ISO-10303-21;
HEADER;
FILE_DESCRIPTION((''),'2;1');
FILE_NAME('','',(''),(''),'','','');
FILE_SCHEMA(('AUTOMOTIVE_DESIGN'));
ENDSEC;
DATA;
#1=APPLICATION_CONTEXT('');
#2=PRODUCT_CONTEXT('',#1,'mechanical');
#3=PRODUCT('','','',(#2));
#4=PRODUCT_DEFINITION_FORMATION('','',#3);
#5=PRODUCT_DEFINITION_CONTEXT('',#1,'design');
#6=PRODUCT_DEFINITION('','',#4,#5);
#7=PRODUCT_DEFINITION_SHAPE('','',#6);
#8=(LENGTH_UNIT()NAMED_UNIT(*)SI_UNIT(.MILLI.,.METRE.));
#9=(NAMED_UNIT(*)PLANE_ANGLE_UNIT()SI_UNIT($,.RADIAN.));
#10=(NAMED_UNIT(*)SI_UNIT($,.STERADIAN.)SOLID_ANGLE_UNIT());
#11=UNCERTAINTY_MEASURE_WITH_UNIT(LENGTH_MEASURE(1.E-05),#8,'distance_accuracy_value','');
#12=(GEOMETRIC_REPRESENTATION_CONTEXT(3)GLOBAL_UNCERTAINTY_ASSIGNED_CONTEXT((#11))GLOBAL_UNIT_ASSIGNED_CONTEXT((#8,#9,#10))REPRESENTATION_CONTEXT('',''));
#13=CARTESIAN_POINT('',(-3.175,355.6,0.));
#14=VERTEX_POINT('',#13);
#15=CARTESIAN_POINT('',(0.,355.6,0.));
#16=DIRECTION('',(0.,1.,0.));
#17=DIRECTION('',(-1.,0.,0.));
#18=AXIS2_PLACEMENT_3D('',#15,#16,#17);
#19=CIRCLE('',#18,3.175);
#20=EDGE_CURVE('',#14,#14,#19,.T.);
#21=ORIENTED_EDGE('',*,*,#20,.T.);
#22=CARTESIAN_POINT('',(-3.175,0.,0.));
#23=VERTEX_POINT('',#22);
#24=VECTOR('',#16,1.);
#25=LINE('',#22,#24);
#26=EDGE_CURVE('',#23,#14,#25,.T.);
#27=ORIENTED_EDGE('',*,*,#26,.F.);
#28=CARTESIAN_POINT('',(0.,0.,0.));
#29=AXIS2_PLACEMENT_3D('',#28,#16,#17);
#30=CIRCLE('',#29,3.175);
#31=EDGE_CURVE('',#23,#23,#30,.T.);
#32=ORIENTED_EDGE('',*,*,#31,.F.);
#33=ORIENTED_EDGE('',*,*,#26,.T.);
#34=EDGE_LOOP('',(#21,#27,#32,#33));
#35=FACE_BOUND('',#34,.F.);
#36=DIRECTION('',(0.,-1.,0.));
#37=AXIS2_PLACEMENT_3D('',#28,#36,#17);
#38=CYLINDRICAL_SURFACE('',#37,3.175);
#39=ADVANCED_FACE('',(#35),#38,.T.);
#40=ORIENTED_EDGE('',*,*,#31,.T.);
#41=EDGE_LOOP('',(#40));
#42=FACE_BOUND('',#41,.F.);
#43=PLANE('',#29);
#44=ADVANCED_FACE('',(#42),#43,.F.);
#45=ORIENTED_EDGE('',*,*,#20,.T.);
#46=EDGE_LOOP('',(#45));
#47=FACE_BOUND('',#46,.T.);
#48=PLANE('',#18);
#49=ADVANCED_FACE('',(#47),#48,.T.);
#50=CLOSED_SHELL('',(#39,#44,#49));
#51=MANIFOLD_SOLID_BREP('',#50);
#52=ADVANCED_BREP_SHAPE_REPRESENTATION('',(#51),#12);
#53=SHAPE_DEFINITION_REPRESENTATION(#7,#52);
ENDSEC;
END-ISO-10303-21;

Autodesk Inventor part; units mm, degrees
ref_plane "YZ Plane" through (0, 0, 0) normal (1, 0, 0) x (0, 1, 0)
ref_plane "XZ Plane" through (0, 0, 0) normal (0, 1, 0) x (-1, 0, 0)
ref_plane "XY Plane" through (0, 0, 0) normal (0, 0, 1) x (1, 0, 0)
sketch "Sketch1" plane through (0, 0, 0) normal (0, 1, 0) x (-1, 0, 0)
  circle A0 centre (0, 0) radius 3.175
  dimension "d0" = 6.35
extrude "Extrusion1" add sketch "Sketch1" along normal blind 355.6
properties part number "StatorShaft" material "Steel"
